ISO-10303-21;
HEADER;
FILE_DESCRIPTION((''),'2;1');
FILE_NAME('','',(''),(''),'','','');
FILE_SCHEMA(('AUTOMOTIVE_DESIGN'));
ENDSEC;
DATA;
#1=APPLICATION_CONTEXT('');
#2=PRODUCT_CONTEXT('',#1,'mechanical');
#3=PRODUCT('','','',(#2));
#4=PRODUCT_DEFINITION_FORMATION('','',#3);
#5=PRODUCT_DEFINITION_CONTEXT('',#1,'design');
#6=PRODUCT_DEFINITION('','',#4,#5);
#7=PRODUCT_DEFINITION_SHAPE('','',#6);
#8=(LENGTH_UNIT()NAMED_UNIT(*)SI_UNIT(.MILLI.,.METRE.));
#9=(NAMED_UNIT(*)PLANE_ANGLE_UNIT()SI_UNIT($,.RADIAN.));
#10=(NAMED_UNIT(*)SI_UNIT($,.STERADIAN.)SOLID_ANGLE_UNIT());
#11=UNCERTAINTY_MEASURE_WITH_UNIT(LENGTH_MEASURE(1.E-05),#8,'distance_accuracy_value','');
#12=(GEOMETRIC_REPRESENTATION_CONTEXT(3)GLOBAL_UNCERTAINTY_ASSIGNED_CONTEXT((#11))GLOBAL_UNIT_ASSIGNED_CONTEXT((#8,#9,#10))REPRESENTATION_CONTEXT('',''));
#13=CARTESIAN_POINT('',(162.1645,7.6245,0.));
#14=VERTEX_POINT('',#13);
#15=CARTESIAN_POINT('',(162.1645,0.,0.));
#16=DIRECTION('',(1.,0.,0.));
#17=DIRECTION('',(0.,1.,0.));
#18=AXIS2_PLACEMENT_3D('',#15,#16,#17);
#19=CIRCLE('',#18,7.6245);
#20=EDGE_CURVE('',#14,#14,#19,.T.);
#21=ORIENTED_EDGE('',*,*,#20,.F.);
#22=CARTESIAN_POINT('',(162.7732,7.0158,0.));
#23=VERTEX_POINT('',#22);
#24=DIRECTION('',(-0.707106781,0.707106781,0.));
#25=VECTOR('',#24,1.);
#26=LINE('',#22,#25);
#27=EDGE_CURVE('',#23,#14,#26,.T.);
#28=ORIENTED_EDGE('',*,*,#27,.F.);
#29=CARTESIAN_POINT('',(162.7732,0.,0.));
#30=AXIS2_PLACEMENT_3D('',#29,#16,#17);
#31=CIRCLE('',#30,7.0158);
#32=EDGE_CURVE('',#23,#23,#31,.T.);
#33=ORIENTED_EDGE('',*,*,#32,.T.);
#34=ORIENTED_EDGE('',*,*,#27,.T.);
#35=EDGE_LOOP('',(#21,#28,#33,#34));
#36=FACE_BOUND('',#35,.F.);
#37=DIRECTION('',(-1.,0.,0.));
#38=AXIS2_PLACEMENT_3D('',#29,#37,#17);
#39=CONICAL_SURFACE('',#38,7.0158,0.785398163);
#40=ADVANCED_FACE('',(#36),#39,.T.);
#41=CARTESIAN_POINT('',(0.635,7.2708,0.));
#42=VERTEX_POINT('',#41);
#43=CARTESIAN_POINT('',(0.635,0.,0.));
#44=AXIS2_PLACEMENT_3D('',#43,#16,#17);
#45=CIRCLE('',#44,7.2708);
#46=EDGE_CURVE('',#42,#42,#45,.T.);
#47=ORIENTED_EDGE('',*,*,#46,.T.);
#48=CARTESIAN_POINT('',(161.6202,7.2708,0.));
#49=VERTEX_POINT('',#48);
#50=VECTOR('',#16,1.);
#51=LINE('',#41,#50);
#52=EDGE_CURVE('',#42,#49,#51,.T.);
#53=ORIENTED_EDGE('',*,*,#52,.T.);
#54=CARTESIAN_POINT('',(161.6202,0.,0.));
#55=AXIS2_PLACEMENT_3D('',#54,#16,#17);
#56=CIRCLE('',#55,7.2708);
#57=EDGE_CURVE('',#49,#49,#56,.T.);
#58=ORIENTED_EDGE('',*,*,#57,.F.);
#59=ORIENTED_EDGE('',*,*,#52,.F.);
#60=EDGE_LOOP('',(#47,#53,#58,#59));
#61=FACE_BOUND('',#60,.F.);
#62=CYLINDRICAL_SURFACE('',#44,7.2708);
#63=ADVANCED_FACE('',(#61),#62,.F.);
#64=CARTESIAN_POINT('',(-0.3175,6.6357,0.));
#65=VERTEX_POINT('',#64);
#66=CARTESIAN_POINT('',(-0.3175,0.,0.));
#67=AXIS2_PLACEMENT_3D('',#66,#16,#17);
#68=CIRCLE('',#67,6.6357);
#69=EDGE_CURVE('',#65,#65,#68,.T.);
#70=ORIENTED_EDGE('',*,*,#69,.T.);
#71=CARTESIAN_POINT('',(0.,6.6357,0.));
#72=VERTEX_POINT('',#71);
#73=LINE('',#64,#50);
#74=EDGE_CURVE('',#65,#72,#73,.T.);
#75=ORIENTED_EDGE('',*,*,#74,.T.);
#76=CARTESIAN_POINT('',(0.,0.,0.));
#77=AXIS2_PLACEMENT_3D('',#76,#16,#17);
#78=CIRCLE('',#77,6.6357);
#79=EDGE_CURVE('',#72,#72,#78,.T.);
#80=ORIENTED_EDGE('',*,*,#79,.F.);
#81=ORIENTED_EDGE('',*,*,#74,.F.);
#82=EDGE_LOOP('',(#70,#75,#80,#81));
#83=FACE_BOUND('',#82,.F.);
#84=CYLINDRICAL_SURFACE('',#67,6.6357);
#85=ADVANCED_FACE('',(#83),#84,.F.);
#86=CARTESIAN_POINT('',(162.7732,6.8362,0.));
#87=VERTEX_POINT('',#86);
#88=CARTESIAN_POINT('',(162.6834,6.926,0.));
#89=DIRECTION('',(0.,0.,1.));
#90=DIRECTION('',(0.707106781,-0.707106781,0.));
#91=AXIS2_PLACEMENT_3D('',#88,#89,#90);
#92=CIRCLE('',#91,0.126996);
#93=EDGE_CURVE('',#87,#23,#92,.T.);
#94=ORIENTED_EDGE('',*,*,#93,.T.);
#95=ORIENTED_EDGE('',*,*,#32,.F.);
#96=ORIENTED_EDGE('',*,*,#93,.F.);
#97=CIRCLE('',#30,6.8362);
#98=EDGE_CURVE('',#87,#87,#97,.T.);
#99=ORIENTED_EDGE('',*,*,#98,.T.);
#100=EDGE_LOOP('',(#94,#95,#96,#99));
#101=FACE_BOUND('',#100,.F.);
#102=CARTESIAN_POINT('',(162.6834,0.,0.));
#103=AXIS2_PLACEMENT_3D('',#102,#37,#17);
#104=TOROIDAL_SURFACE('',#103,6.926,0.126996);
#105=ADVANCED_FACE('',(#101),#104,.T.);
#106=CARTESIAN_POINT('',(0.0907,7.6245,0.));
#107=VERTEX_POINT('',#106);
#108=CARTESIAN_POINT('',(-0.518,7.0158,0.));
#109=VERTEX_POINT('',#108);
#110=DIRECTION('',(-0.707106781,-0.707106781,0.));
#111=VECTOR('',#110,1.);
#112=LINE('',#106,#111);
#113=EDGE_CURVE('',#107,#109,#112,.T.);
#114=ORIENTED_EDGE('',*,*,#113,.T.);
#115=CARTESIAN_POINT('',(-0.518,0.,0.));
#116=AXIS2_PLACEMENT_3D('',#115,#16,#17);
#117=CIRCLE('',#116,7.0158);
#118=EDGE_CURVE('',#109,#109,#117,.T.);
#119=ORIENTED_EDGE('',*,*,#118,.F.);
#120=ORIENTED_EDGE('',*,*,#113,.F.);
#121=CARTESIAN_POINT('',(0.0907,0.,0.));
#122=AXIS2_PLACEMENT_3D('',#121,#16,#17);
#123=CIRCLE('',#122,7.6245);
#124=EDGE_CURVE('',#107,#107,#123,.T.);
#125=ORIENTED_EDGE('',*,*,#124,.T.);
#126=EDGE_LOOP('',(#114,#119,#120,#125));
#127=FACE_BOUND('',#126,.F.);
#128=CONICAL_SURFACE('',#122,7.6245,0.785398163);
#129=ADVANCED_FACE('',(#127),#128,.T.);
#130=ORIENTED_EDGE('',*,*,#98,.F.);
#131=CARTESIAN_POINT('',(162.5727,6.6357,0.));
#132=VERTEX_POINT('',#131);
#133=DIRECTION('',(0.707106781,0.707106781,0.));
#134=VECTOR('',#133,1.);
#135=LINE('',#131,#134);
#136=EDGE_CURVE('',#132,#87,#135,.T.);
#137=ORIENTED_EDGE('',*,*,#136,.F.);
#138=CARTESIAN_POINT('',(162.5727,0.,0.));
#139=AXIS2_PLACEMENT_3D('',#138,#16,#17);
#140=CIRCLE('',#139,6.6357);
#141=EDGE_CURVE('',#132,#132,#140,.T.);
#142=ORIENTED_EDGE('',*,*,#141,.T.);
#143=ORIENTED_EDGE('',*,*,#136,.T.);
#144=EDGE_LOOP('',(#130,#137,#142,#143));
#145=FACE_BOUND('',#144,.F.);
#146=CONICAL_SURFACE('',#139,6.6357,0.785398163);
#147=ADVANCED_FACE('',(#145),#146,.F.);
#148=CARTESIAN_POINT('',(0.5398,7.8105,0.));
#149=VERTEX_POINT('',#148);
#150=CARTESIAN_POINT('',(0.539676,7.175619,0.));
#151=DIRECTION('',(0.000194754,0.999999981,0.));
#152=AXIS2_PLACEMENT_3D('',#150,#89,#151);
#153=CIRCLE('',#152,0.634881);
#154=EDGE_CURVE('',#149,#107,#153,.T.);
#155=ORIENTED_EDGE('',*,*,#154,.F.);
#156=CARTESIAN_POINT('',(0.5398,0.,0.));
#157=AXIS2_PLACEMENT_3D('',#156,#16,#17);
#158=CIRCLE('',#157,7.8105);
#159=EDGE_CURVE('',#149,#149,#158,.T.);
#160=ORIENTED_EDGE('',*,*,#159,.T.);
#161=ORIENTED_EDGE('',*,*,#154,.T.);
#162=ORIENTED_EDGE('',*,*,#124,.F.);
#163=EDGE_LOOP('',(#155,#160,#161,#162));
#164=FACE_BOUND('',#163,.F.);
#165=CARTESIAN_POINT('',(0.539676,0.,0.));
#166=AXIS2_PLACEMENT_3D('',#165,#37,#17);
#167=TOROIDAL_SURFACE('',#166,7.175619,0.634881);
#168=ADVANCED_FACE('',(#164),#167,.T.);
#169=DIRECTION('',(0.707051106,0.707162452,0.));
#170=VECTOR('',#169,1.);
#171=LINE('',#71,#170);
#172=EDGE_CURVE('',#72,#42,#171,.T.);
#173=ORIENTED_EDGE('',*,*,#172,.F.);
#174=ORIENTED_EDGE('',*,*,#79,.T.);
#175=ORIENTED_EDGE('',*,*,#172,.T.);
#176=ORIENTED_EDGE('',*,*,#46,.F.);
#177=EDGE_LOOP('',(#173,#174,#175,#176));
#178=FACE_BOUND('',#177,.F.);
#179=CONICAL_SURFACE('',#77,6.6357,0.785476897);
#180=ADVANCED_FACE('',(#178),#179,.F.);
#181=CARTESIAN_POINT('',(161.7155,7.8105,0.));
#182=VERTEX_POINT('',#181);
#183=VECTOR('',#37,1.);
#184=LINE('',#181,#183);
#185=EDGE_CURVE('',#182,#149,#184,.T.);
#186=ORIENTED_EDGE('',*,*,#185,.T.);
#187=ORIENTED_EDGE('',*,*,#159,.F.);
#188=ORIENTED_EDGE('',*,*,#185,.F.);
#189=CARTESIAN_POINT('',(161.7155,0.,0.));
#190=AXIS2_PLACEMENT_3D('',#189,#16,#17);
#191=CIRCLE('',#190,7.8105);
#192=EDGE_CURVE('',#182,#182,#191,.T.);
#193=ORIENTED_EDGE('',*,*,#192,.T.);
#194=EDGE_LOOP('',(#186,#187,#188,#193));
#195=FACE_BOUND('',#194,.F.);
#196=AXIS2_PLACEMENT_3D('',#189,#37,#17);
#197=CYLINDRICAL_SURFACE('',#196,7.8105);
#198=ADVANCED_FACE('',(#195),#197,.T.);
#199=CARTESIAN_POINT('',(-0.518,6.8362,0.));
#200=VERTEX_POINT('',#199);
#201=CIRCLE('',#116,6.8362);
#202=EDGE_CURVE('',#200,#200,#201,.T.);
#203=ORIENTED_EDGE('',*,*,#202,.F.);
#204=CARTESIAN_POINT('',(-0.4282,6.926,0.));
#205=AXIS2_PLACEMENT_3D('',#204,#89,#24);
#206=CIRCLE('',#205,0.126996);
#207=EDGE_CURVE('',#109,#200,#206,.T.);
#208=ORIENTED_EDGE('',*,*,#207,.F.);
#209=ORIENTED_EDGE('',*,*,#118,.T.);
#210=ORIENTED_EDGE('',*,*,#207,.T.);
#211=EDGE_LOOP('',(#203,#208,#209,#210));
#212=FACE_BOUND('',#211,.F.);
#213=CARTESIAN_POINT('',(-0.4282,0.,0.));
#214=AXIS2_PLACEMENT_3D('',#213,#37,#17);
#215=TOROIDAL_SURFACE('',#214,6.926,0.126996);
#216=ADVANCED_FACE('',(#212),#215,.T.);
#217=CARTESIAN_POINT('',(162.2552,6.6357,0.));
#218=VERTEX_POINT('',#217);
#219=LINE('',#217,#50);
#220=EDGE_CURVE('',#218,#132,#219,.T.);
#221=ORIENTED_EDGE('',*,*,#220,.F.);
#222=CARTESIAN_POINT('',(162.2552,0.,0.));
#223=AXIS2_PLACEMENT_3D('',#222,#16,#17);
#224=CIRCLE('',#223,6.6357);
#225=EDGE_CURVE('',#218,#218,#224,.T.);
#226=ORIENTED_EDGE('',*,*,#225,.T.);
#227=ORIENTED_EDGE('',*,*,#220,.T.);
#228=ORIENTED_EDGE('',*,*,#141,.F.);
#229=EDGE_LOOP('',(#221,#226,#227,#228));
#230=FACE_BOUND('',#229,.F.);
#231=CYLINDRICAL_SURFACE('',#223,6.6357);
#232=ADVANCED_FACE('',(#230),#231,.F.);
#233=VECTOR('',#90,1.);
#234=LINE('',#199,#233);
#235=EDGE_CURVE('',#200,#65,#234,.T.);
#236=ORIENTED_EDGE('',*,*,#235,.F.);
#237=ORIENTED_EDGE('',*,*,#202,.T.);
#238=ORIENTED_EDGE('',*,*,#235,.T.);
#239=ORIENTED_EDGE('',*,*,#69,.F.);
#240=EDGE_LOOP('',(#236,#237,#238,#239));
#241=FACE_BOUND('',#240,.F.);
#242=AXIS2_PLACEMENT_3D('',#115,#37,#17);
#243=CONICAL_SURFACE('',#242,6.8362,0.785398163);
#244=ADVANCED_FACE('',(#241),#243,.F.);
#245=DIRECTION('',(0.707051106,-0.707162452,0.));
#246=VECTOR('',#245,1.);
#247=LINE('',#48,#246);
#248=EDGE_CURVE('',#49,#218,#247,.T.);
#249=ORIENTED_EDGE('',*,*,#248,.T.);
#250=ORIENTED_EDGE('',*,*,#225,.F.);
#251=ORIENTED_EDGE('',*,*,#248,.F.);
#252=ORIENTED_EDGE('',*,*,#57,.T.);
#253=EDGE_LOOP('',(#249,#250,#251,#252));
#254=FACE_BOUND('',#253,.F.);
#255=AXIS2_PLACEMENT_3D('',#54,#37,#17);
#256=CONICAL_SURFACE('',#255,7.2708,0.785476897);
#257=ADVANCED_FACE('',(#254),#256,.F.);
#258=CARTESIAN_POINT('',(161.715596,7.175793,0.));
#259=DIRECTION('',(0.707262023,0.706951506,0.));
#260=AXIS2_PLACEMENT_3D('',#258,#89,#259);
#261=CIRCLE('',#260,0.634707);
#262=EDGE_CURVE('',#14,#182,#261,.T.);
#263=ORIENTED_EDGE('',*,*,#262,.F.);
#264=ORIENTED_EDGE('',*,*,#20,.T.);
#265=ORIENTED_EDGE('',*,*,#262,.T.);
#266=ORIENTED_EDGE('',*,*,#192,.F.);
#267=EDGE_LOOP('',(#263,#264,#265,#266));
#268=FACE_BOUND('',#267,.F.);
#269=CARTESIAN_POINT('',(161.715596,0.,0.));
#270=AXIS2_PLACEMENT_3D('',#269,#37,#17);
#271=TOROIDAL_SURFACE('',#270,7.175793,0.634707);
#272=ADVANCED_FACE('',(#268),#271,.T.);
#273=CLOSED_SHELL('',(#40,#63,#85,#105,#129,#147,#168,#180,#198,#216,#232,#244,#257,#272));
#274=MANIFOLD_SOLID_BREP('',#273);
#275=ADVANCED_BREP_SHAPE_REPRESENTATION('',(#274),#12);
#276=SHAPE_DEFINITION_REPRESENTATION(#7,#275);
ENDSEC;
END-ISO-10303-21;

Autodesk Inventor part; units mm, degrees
sketch "Sketch_1" plane through (0, 0, 0) normal (0, 0, 1) x (1, 0, 0)
  line L0 (162.2552, 0) -> (0, 0)
  arc A0 (-0.518, 7.0158) -> (-0.518, 6.8362) centre (-0.4282, 6.926) ccw
  line L1 (-0.518, 6.8362) -> (-0.3175, 6.6357)
  line L2 (-0.3175, 6.6357) -> (0, 6.6357)
  line L3 (0, 6.6357) -> (0.635, 7.2708)
  line L4 (0.635, 7.2708) -> (161.6202, 7.2708)
  line L5 (161.6202, 7.2708) -> (162.2552, 6.6357)
  line L6 (162.2552, 6.6357) -> (162.5727, 6.6357)
  line L7 (162.5727, 6.6357) -> (162.7732, 6.8362)
  arc A1 (162.7732, 6.8362) -> (162.7732, 7.0158) centre (162.6834, 6.926) ccw
  line L8 (162.7732, 7.0158) -> (162.1645, 7.6245)
  arc A2 (162.1645, 7.6245) -> (161.7155, 7.8105) centre (161.7154, 7.1755) ccw
  line L9 (161.7155, 7.8105) -> (0.5398, 7.8105)
  arc A3 (0.5398, 7.8105) -> (0.0907, 7.6245) centre (0.5397, 7.1755) ccw
  line L10 (0.0907, 7.6245) -> (-0.518, 7.0158)
revolve "Revolution1" add sketch "Sketch_1" angle 360 about axis through (162.2552, 0, 0) along (1, 0, 0)
ref_plane "tube_front_XY" through (0, 0, 0) normal (1, 0, 0) x (0, 0, -1)
ref_plane "tube_front_YZ" through (0, 0, 0) normal (0, 0, -1) x (0, 1, 0)
ref_plane "tube_front_ZX" through (0, 0, 0) normal (0, 1, 0) x (1, 0, 0)
ref_plane "tube_rear_XY" through (162.2552, 0, 0) normal (1, 0, 0) x (0, 0, -1)
ref_plane "tube_rear_YZ" through (162.2552, 0, 0) normal (0, 0, -1) x (0, 1, 0)
ref_plane "tube_rear_ZX" through (162.2552, 0, 0) normal (0, 1, 0) x (1, 0, 0)
ref_plane "cp1_XY" through (81.1276, 7.8105, 0) normal (1, 0, 0) x (0, 0, -1)
ref_plane "cp1_YZ" through (81.1276, 7.8105, 0) normal (0, 0, -1) x (0, 1, 0)
ref_plane "cp1_ZX" through (81.1276, 7.8105, 0) normal (0, 1, 0) x (1, 0, 0)
ref_plane "cp2_XY" through (81.1276, 0, -7.8105) normal (1, 0, 0) x (0, 0, -1)
ref_plane "cp2_YZ" through (81.1276, 0, -7.8105) normal (0, 0, -1) x (0, 1, 0)
ref_plane "cp2_ZX" through (81.1276, 0, -7.8105) normal (0, 1, 0) x (1, 0, 0)
ref_plane "cp3_XY" through (81.1276, -7.8105, 0) normal (1, 0, 0) x (0, 0, -1)
ref_plane "cp3_YZ" through (81.1276, -7.8105, 0) normal (0, 0, -1) x (0, 1, 0)
ref_plane "cp3_ZX" through (81.1276, -7.8105, 0) normal (0, 1, 0) x (1, 0, 0)
ref_plane "cp4_XY" through (81.1276, 0, 7.8105) normal (1, 0, 0) x (0, 0, -1)
ref_plane "cp4_YZ" through (81.1276, 0, 7.8105) normal (0, 0, -1) x (0, 1, 0)
ref_plane "cp4_ZX" through (81.1276, 0, 7.8105) normal (0, 1, 0) x (1, 0, 0)
properties part number "02-6.3880-nr"
